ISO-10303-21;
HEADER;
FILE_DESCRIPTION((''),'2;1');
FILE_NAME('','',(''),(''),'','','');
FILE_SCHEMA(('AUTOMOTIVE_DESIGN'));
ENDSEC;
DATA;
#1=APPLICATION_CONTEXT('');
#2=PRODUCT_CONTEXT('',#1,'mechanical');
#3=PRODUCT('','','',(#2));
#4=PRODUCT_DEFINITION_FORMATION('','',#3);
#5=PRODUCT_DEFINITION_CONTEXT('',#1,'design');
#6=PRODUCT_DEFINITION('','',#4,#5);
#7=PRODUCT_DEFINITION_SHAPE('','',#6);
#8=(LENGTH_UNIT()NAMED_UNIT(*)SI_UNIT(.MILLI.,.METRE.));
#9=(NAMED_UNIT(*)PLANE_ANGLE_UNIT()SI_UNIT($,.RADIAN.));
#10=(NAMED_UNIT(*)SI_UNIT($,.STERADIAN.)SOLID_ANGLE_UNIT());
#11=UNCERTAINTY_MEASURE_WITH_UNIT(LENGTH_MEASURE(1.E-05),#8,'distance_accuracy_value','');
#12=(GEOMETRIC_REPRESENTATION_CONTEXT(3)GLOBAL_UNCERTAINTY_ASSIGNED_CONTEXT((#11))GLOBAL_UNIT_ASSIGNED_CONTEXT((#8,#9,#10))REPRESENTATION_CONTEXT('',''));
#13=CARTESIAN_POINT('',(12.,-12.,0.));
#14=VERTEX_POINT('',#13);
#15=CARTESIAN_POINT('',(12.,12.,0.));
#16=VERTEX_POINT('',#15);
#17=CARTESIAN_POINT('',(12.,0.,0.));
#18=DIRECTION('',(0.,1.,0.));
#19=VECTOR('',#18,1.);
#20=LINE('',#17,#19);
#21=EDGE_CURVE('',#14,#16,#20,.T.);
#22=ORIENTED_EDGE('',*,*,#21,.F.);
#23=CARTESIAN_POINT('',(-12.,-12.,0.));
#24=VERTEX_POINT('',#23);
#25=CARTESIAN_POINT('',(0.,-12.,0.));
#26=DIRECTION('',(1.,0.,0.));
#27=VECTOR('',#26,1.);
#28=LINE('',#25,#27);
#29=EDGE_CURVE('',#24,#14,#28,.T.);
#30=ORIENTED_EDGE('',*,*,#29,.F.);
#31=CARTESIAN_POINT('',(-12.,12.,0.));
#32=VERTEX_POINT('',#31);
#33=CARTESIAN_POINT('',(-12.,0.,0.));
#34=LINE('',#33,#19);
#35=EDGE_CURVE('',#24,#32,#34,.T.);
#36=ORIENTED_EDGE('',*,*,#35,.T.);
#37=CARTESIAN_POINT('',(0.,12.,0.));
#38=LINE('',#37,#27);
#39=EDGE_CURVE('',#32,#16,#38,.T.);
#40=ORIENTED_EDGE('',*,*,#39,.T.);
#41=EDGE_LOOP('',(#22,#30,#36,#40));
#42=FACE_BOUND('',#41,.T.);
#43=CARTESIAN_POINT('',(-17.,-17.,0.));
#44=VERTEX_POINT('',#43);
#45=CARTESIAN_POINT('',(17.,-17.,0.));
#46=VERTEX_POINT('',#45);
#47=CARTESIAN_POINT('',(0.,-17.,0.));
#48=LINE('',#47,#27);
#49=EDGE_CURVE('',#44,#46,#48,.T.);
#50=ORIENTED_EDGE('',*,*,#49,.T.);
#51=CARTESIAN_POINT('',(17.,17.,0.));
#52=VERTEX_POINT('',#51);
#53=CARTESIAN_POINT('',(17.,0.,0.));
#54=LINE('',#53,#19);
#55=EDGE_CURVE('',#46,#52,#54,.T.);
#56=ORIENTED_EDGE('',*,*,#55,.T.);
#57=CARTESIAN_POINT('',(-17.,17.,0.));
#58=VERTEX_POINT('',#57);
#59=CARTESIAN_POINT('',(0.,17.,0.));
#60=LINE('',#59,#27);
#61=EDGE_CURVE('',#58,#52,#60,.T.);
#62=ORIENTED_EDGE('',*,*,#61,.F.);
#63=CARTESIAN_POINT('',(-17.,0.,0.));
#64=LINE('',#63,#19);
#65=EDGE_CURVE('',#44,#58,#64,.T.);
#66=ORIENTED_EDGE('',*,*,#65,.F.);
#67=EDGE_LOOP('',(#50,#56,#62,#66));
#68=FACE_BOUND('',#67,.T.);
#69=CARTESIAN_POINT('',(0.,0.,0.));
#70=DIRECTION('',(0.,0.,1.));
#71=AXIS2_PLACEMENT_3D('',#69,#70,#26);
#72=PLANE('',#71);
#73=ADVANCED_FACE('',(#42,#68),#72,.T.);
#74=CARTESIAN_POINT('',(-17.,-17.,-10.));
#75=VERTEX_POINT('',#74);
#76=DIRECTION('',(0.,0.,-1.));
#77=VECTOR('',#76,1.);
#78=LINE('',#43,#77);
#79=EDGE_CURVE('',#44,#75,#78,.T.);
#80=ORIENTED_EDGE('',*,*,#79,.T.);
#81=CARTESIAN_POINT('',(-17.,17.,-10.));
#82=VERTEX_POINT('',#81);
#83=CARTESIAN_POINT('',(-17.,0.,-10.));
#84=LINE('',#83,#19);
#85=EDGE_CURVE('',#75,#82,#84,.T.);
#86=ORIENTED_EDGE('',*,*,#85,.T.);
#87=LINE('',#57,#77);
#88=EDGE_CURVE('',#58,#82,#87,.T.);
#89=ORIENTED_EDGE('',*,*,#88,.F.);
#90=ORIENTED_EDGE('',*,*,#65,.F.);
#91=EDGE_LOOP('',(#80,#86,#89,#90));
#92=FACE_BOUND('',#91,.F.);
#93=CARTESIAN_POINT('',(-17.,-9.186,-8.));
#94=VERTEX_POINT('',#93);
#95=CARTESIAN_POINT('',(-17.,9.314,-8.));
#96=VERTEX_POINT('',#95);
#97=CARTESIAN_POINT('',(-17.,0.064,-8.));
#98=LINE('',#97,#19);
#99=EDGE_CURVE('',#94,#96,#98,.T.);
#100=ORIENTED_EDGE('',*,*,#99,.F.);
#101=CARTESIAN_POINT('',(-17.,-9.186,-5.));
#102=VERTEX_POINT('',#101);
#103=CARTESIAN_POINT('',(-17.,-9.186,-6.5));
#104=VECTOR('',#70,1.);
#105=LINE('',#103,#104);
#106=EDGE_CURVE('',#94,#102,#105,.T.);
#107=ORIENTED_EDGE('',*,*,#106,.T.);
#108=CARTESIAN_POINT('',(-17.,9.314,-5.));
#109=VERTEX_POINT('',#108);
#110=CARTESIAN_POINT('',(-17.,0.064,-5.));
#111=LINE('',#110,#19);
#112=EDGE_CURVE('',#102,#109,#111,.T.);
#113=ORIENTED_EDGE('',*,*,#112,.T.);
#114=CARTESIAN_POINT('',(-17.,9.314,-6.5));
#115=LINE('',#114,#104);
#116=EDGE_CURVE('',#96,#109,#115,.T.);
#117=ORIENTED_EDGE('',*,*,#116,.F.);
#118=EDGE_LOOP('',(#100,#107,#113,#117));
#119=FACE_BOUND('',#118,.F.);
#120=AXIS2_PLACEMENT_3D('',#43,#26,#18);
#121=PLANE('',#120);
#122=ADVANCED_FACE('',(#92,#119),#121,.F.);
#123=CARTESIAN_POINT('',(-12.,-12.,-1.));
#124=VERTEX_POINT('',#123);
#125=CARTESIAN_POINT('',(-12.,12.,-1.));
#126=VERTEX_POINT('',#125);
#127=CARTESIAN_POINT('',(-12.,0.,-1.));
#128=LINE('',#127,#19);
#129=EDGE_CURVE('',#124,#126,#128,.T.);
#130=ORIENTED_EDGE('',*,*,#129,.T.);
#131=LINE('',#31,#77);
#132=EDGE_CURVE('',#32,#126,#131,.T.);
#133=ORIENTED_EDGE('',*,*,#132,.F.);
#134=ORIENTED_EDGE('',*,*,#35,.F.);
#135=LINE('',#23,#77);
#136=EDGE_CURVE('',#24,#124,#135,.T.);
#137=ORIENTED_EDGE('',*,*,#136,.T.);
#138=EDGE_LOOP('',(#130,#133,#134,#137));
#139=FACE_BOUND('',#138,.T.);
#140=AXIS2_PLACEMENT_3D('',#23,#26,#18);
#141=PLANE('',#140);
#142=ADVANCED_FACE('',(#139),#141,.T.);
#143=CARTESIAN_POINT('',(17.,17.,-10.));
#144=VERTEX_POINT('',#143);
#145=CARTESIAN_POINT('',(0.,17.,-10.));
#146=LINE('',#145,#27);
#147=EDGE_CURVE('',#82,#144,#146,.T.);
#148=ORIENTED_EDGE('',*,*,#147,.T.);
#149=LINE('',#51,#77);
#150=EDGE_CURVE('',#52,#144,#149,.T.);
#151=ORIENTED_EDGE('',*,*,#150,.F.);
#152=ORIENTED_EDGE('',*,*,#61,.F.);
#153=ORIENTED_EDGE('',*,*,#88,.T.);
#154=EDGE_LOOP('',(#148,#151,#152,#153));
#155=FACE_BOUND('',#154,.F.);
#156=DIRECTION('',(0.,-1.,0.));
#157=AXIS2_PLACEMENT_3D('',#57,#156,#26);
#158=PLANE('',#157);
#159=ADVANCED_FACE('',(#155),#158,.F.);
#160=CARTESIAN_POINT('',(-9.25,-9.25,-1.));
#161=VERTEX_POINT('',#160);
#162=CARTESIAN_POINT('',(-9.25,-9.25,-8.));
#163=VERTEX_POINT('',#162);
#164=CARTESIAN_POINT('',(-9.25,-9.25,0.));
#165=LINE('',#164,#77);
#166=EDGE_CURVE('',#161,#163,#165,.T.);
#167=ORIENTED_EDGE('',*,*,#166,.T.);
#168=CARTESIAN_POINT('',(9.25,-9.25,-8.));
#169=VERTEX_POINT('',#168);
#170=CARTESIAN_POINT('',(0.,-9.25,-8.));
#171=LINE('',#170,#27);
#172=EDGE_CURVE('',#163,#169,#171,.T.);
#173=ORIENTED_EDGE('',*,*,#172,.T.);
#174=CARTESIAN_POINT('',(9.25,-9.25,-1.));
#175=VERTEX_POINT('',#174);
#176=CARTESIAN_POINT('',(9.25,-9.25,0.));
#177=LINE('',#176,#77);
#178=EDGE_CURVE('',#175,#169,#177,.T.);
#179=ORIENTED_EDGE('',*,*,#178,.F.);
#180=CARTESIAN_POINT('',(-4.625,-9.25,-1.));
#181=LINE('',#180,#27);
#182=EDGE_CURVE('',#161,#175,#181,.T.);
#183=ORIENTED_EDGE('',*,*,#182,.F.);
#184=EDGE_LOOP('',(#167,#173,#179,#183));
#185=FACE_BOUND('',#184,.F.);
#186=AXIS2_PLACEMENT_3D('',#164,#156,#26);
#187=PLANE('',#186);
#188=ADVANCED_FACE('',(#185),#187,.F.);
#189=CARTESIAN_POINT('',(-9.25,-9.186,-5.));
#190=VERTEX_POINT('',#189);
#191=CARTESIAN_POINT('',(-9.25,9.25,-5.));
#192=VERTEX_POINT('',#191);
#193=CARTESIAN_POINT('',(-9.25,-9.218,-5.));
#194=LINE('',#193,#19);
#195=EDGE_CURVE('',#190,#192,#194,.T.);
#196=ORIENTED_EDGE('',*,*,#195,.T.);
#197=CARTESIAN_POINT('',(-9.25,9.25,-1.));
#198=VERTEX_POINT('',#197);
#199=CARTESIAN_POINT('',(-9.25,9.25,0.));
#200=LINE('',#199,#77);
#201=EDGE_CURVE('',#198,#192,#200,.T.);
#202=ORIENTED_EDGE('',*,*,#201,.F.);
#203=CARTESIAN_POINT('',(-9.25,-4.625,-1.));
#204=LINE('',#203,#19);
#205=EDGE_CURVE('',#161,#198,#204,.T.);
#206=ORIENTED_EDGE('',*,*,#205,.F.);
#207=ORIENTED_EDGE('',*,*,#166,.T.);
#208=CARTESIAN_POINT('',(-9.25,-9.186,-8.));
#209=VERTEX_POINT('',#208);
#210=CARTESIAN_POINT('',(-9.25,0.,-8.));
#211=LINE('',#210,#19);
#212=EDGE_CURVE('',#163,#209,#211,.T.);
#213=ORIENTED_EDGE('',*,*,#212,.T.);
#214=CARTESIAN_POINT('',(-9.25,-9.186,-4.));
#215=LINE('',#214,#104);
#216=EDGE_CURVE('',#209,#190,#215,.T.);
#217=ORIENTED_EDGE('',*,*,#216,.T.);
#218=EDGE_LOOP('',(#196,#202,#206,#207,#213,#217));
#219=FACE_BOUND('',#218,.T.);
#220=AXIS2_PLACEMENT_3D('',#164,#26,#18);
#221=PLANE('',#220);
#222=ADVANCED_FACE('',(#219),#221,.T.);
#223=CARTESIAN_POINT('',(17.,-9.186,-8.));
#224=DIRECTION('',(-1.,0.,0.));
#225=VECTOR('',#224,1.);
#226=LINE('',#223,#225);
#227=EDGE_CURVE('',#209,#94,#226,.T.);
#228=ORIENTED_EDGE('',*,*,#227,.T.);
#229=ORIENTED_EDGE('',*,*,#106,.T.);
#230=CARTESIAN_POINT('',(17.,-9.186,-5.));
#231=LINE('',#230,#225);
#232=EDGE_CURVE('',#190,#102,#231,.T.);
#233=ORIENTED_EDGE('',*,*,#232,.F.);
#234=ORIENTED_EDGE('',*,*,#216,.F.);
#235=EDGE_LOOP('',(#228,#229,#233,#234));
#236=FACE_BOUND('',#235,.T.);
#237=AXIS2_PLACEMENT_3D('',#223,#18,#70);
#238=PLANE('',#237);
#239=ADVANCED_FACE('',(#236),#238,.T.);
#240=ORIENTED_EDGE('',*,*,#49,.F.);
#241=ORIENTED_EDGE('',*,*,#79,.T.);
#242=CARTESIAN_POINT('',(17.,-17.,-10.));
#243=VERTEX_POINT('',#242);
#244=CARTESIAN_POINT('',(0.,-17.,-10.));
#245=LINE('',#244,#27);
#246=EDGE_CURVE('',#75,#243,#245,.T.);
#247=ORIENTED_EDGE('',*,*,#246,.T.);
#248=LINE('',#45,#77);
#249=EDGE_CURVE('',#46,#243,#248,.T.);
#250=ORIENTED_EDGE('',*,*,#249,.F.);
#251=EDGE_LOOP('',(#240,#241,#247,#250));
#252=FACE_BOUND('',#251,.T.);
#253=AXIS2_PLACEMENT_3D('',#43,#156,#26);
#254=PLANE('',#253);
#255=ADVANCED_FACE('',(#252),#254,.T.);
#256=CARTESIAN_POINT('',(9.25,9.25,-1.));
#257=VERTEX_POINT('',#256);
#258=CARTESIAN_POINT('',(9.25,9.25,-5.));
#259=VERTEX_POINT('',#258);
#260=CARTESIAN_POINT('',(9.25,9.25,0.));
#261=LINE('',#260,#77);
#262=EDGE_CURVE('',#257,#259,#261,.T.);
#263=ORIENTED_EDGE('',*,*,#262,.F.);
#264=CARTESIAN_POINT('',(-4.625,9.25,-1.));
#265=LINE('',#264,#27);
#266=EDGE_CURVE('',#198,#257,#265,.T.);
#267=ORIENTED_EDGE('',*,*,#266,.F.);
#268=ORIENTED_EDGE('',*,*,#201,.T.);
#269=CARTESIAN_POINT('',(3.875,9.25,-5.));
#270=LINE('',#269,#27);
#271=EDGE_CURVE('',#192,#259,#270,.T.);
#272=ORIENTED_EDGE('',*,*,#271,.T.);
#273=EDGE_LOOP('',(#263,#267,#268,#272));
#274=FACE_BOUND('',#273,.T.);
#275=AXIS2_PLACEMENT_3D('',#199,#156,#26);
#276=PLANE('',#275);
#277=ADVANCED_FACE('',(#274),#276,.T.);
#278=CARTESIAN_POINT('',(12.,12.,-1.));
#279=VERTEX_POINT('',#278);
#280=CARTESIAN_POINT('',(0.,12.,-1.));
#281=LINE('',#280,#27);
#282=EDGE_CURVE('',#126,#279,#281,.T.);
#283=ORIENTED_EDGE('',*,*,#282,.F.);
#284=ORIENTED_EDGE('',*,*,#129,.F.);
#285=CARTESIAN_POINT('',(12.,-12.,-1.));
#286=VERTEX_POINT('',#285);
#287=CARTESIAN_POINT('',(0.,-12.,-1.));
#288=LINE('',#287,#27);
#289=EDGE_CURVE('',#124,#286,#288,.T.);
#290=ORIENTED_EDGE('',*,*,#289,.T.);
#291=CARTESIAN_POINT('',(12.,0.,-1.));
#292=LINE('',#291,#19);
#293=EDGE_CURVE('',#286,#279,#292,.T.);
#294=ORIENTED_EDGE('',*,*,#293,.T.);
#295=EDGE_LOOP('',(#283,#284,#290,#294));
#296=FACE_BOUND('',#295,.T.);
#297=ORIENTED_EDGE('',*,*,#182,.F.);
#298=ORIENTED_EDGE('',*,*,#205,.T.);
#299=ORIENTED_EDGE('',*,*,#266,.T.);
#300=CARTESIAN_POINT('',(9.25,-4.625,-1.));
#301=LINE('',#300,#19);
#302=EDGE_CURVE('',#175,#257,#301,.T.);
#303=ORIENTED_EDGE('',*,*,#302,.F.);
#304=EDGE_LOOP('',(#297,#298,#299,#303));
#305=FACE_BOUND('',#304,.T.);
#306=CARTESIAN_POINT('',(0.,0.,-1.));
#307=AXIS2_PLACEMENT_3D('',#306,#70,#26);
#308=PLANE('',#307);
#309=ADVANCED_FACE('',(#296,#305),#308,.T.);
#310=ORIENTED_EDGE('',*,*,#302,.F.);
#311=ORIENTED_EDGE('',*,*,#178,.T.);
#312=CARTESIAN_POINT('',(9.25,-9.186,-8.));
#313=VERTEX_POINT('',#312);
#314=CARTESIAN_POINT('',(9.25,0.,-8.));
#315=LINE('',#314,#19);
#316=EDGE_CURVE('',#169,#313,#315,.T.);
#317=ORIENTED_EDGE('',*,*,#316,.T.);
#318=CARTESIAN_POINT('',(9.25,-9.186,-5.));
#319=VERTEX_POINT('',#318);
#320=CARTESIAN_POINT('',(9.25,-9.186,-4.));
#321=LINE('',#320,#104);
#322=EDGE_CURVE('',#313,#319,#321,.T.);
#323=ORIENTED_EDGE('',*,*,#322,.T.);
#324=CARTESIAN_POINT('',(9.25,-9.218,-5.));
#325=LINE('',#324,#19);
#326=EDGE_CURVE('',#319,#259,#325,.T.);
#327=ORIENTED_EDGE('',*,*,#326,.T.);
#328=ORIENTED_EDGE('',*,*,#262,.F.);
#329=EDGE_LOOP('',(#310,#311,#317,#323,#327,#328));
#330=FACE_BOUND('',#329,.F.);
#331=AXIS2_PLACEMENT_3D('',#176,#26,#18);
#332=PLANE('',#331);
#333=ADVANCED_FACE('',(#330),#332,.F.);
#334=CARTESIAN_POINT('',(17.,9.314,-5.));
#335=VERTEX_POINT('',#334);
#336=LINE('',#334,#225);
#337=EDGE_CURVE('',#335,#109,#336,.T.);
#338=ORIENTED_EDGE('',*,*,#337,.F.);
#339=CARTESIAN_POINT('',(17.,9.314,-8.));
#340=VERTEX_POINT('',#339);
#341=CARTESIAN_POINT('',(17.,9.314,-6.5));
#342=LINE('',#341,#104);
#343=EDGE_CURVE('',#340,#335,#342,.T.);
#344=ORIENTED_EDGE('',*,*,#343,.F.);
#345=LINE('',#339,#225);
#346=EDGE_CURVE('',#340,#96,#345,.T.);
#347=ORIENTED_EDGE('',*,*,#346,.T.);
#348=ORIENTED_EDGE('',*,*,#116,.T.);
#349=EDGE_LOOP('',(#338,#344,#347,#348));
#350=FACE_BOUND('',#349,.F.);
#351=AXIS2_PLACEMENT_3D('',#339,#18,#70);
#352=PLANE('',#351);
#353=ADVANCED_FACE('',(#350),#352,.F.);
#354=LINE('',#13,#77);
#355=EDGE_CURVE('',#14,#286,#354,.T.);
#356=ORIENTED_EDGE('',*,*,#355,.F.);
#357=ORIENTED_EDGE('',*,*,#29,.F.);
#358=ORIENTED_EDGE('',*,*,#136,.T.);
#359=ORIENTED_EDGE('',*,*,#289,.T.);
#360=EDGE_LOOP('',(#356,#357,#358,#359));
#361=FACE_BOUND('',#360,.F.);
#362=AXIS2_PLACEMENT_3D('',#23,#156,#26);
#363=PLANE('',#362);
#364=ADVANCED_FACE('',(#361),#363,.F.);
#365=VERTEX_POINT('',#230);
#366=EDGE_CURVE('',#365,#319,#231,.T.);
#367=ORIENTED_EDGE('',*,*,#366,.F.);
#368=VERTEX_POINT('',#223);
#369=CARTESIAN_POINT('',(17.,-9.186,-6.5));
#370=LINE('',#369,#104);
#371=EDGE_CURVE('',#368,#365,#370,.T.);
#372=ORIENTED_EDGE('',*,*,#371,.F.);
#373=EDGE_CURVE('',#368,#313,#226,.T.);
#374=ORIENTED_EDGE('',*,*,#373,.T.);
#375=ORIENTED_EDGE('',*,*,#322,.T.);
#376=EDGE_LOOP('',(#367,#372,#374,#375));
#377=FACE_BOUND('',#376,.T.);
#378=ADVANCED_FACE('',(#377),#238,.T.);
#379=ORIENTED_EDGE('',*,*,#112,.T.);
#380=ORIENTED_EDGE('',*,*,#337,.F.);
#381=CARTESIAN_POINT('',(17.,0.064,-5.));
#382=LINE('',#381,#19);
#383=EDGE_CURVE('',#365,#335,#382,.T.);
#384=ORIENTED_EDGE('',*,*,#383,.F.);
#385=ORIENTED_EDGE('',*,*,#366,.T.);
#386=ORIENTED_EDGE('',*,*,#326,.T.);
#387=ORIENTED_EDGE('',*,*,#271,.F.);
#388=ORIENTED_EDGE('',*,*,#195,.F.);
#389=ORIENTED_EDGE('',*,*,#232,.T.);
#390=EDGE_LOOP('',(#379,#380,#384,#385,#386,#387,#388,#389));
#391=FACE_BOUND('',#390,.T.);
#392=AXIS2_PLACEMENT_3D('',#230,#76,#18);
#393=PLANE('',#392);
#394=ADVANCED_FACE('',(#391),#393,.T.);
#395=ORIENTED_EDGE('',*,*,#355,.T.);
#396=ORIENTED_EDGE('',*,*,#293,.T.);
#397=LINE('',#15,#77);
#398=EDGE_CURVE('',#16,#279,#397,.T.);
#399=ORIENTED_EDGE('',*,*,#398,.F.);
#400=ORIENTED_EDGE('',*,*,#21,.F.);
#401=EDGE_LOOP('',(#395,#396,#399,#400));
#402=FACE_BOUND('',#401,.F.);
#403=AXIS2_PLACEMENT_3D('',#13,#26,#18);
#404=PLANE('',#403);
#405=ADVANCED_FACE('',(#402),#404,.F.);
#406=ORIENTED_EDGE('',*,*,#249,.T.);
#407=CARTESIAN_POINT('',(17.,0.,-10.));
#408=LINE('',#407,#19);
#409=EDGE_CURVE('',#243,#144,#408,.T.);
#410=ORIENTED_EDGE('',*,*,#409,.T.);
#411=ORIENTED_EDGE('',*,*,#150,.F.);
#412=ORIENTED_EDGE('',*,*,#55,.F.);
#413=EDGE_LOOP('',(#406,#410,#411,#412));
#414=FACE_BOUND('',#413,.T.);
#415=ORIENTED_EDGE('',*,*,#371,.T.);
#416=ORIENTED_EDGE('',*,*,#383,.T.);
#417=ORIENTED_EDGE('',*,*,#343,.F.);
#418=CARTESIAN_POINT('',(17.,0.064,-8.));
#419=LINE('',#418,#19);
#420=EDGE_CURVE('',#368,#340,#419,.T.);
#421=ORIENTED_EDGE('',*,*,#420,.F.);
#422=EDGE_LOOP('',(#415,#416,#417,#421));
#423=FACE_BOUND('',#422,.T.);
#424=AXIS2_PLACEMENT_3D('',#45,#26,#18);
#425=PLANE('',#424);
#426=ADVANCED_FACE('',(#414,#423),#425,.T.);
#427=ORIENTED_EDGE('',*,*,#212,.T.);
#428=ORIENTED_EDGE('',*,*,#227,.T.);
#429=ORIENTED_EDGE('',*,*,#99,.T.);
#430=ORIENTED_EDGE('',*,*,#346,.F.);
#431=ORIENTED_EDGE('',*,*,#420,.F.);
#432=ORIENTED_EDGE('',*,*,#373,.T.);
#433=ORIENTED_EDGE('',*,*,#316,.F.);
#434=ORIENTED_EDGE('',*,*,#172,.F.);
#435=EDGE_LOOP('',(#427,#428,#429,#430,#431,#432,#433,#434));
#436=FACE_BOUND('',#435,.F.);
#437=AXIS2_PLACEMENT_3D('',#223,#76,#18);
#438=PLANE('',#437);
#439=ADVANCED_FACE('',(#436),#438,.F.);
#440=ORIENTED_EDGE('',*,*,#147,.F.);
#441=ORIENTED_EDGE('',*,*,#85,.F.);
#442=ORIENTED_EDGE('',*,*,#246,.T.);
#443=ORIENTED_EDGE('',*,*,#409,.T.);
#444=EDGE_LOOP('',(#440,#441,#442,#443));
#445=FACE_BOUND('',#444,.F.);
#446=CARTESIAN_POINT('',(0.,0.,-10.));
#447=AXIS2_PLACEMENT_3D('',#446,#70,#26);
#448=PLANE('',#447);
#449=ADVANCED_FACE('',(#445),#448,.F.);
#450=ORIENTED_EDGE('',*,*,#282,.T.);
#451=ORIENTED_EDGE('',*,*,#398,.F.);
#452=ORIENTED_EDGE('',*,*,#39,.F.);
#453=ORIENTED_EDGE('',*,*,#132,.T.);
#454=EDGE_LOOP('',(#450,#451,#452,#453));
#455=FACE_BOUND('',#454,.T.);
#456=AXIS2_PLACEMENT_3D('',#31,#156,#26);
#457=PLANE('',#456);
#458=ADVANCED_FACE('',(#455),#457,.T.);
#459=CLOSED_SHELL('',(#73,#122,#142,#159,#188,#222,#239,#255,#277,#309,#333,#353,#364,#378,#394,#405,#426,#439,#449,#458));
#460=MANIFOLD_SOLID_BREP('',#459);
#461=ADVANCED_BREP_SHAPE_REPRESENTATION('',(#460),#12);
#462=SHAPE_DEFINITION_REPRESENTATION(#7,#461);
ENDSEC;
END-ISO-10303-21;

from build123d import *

# Parameters (mm, degrees)
F2_W     = 34
F2_H     = 34
F3_DEPTH = 10
F1_W     = 24
F1_H     = 24
F4_DEPTH = 1
F0_W     = 18.5
F0_H     = 18.5
F5_DEPTH = 8
F6_W     = 18.5
F6_H     = 3
F7_DEPTH = 34


with BuildPart() as f3:
    # F2 (on Top) → F3 (new body)
    with BuildSketch(Plane.XY):
        Rectangle(F2_W, F2_H)
    extrude(amount=-F3_DEPTH)

    # F1 (on Top) → F4 (cut)
    with BuildSketch(Plane.XY):
        Rectangle(F1_W, F1_H)
    extrude(amount=-F4_DEPTH, mode=Mode.SUBTRACT)

    # F0 (on Top) → F5 (cut)
    with BuildSketch(Plane.XY):
        Rectangle(F0_W, F0_H)
    extrude(amount=-F5_DEPTH, mode=Mode.SUBTRACT)

    # F6 (on face) → F7 (cut)
    with BuildSketch(Plane.YZ.offset(17)):
        with Locations((0.064, -6.5)):
            Rectangle(F6_W, F6_H)
    extrude(amount=-F7_DEPTH, mode=Mode.SUBTRACT)


solid = f3.part
